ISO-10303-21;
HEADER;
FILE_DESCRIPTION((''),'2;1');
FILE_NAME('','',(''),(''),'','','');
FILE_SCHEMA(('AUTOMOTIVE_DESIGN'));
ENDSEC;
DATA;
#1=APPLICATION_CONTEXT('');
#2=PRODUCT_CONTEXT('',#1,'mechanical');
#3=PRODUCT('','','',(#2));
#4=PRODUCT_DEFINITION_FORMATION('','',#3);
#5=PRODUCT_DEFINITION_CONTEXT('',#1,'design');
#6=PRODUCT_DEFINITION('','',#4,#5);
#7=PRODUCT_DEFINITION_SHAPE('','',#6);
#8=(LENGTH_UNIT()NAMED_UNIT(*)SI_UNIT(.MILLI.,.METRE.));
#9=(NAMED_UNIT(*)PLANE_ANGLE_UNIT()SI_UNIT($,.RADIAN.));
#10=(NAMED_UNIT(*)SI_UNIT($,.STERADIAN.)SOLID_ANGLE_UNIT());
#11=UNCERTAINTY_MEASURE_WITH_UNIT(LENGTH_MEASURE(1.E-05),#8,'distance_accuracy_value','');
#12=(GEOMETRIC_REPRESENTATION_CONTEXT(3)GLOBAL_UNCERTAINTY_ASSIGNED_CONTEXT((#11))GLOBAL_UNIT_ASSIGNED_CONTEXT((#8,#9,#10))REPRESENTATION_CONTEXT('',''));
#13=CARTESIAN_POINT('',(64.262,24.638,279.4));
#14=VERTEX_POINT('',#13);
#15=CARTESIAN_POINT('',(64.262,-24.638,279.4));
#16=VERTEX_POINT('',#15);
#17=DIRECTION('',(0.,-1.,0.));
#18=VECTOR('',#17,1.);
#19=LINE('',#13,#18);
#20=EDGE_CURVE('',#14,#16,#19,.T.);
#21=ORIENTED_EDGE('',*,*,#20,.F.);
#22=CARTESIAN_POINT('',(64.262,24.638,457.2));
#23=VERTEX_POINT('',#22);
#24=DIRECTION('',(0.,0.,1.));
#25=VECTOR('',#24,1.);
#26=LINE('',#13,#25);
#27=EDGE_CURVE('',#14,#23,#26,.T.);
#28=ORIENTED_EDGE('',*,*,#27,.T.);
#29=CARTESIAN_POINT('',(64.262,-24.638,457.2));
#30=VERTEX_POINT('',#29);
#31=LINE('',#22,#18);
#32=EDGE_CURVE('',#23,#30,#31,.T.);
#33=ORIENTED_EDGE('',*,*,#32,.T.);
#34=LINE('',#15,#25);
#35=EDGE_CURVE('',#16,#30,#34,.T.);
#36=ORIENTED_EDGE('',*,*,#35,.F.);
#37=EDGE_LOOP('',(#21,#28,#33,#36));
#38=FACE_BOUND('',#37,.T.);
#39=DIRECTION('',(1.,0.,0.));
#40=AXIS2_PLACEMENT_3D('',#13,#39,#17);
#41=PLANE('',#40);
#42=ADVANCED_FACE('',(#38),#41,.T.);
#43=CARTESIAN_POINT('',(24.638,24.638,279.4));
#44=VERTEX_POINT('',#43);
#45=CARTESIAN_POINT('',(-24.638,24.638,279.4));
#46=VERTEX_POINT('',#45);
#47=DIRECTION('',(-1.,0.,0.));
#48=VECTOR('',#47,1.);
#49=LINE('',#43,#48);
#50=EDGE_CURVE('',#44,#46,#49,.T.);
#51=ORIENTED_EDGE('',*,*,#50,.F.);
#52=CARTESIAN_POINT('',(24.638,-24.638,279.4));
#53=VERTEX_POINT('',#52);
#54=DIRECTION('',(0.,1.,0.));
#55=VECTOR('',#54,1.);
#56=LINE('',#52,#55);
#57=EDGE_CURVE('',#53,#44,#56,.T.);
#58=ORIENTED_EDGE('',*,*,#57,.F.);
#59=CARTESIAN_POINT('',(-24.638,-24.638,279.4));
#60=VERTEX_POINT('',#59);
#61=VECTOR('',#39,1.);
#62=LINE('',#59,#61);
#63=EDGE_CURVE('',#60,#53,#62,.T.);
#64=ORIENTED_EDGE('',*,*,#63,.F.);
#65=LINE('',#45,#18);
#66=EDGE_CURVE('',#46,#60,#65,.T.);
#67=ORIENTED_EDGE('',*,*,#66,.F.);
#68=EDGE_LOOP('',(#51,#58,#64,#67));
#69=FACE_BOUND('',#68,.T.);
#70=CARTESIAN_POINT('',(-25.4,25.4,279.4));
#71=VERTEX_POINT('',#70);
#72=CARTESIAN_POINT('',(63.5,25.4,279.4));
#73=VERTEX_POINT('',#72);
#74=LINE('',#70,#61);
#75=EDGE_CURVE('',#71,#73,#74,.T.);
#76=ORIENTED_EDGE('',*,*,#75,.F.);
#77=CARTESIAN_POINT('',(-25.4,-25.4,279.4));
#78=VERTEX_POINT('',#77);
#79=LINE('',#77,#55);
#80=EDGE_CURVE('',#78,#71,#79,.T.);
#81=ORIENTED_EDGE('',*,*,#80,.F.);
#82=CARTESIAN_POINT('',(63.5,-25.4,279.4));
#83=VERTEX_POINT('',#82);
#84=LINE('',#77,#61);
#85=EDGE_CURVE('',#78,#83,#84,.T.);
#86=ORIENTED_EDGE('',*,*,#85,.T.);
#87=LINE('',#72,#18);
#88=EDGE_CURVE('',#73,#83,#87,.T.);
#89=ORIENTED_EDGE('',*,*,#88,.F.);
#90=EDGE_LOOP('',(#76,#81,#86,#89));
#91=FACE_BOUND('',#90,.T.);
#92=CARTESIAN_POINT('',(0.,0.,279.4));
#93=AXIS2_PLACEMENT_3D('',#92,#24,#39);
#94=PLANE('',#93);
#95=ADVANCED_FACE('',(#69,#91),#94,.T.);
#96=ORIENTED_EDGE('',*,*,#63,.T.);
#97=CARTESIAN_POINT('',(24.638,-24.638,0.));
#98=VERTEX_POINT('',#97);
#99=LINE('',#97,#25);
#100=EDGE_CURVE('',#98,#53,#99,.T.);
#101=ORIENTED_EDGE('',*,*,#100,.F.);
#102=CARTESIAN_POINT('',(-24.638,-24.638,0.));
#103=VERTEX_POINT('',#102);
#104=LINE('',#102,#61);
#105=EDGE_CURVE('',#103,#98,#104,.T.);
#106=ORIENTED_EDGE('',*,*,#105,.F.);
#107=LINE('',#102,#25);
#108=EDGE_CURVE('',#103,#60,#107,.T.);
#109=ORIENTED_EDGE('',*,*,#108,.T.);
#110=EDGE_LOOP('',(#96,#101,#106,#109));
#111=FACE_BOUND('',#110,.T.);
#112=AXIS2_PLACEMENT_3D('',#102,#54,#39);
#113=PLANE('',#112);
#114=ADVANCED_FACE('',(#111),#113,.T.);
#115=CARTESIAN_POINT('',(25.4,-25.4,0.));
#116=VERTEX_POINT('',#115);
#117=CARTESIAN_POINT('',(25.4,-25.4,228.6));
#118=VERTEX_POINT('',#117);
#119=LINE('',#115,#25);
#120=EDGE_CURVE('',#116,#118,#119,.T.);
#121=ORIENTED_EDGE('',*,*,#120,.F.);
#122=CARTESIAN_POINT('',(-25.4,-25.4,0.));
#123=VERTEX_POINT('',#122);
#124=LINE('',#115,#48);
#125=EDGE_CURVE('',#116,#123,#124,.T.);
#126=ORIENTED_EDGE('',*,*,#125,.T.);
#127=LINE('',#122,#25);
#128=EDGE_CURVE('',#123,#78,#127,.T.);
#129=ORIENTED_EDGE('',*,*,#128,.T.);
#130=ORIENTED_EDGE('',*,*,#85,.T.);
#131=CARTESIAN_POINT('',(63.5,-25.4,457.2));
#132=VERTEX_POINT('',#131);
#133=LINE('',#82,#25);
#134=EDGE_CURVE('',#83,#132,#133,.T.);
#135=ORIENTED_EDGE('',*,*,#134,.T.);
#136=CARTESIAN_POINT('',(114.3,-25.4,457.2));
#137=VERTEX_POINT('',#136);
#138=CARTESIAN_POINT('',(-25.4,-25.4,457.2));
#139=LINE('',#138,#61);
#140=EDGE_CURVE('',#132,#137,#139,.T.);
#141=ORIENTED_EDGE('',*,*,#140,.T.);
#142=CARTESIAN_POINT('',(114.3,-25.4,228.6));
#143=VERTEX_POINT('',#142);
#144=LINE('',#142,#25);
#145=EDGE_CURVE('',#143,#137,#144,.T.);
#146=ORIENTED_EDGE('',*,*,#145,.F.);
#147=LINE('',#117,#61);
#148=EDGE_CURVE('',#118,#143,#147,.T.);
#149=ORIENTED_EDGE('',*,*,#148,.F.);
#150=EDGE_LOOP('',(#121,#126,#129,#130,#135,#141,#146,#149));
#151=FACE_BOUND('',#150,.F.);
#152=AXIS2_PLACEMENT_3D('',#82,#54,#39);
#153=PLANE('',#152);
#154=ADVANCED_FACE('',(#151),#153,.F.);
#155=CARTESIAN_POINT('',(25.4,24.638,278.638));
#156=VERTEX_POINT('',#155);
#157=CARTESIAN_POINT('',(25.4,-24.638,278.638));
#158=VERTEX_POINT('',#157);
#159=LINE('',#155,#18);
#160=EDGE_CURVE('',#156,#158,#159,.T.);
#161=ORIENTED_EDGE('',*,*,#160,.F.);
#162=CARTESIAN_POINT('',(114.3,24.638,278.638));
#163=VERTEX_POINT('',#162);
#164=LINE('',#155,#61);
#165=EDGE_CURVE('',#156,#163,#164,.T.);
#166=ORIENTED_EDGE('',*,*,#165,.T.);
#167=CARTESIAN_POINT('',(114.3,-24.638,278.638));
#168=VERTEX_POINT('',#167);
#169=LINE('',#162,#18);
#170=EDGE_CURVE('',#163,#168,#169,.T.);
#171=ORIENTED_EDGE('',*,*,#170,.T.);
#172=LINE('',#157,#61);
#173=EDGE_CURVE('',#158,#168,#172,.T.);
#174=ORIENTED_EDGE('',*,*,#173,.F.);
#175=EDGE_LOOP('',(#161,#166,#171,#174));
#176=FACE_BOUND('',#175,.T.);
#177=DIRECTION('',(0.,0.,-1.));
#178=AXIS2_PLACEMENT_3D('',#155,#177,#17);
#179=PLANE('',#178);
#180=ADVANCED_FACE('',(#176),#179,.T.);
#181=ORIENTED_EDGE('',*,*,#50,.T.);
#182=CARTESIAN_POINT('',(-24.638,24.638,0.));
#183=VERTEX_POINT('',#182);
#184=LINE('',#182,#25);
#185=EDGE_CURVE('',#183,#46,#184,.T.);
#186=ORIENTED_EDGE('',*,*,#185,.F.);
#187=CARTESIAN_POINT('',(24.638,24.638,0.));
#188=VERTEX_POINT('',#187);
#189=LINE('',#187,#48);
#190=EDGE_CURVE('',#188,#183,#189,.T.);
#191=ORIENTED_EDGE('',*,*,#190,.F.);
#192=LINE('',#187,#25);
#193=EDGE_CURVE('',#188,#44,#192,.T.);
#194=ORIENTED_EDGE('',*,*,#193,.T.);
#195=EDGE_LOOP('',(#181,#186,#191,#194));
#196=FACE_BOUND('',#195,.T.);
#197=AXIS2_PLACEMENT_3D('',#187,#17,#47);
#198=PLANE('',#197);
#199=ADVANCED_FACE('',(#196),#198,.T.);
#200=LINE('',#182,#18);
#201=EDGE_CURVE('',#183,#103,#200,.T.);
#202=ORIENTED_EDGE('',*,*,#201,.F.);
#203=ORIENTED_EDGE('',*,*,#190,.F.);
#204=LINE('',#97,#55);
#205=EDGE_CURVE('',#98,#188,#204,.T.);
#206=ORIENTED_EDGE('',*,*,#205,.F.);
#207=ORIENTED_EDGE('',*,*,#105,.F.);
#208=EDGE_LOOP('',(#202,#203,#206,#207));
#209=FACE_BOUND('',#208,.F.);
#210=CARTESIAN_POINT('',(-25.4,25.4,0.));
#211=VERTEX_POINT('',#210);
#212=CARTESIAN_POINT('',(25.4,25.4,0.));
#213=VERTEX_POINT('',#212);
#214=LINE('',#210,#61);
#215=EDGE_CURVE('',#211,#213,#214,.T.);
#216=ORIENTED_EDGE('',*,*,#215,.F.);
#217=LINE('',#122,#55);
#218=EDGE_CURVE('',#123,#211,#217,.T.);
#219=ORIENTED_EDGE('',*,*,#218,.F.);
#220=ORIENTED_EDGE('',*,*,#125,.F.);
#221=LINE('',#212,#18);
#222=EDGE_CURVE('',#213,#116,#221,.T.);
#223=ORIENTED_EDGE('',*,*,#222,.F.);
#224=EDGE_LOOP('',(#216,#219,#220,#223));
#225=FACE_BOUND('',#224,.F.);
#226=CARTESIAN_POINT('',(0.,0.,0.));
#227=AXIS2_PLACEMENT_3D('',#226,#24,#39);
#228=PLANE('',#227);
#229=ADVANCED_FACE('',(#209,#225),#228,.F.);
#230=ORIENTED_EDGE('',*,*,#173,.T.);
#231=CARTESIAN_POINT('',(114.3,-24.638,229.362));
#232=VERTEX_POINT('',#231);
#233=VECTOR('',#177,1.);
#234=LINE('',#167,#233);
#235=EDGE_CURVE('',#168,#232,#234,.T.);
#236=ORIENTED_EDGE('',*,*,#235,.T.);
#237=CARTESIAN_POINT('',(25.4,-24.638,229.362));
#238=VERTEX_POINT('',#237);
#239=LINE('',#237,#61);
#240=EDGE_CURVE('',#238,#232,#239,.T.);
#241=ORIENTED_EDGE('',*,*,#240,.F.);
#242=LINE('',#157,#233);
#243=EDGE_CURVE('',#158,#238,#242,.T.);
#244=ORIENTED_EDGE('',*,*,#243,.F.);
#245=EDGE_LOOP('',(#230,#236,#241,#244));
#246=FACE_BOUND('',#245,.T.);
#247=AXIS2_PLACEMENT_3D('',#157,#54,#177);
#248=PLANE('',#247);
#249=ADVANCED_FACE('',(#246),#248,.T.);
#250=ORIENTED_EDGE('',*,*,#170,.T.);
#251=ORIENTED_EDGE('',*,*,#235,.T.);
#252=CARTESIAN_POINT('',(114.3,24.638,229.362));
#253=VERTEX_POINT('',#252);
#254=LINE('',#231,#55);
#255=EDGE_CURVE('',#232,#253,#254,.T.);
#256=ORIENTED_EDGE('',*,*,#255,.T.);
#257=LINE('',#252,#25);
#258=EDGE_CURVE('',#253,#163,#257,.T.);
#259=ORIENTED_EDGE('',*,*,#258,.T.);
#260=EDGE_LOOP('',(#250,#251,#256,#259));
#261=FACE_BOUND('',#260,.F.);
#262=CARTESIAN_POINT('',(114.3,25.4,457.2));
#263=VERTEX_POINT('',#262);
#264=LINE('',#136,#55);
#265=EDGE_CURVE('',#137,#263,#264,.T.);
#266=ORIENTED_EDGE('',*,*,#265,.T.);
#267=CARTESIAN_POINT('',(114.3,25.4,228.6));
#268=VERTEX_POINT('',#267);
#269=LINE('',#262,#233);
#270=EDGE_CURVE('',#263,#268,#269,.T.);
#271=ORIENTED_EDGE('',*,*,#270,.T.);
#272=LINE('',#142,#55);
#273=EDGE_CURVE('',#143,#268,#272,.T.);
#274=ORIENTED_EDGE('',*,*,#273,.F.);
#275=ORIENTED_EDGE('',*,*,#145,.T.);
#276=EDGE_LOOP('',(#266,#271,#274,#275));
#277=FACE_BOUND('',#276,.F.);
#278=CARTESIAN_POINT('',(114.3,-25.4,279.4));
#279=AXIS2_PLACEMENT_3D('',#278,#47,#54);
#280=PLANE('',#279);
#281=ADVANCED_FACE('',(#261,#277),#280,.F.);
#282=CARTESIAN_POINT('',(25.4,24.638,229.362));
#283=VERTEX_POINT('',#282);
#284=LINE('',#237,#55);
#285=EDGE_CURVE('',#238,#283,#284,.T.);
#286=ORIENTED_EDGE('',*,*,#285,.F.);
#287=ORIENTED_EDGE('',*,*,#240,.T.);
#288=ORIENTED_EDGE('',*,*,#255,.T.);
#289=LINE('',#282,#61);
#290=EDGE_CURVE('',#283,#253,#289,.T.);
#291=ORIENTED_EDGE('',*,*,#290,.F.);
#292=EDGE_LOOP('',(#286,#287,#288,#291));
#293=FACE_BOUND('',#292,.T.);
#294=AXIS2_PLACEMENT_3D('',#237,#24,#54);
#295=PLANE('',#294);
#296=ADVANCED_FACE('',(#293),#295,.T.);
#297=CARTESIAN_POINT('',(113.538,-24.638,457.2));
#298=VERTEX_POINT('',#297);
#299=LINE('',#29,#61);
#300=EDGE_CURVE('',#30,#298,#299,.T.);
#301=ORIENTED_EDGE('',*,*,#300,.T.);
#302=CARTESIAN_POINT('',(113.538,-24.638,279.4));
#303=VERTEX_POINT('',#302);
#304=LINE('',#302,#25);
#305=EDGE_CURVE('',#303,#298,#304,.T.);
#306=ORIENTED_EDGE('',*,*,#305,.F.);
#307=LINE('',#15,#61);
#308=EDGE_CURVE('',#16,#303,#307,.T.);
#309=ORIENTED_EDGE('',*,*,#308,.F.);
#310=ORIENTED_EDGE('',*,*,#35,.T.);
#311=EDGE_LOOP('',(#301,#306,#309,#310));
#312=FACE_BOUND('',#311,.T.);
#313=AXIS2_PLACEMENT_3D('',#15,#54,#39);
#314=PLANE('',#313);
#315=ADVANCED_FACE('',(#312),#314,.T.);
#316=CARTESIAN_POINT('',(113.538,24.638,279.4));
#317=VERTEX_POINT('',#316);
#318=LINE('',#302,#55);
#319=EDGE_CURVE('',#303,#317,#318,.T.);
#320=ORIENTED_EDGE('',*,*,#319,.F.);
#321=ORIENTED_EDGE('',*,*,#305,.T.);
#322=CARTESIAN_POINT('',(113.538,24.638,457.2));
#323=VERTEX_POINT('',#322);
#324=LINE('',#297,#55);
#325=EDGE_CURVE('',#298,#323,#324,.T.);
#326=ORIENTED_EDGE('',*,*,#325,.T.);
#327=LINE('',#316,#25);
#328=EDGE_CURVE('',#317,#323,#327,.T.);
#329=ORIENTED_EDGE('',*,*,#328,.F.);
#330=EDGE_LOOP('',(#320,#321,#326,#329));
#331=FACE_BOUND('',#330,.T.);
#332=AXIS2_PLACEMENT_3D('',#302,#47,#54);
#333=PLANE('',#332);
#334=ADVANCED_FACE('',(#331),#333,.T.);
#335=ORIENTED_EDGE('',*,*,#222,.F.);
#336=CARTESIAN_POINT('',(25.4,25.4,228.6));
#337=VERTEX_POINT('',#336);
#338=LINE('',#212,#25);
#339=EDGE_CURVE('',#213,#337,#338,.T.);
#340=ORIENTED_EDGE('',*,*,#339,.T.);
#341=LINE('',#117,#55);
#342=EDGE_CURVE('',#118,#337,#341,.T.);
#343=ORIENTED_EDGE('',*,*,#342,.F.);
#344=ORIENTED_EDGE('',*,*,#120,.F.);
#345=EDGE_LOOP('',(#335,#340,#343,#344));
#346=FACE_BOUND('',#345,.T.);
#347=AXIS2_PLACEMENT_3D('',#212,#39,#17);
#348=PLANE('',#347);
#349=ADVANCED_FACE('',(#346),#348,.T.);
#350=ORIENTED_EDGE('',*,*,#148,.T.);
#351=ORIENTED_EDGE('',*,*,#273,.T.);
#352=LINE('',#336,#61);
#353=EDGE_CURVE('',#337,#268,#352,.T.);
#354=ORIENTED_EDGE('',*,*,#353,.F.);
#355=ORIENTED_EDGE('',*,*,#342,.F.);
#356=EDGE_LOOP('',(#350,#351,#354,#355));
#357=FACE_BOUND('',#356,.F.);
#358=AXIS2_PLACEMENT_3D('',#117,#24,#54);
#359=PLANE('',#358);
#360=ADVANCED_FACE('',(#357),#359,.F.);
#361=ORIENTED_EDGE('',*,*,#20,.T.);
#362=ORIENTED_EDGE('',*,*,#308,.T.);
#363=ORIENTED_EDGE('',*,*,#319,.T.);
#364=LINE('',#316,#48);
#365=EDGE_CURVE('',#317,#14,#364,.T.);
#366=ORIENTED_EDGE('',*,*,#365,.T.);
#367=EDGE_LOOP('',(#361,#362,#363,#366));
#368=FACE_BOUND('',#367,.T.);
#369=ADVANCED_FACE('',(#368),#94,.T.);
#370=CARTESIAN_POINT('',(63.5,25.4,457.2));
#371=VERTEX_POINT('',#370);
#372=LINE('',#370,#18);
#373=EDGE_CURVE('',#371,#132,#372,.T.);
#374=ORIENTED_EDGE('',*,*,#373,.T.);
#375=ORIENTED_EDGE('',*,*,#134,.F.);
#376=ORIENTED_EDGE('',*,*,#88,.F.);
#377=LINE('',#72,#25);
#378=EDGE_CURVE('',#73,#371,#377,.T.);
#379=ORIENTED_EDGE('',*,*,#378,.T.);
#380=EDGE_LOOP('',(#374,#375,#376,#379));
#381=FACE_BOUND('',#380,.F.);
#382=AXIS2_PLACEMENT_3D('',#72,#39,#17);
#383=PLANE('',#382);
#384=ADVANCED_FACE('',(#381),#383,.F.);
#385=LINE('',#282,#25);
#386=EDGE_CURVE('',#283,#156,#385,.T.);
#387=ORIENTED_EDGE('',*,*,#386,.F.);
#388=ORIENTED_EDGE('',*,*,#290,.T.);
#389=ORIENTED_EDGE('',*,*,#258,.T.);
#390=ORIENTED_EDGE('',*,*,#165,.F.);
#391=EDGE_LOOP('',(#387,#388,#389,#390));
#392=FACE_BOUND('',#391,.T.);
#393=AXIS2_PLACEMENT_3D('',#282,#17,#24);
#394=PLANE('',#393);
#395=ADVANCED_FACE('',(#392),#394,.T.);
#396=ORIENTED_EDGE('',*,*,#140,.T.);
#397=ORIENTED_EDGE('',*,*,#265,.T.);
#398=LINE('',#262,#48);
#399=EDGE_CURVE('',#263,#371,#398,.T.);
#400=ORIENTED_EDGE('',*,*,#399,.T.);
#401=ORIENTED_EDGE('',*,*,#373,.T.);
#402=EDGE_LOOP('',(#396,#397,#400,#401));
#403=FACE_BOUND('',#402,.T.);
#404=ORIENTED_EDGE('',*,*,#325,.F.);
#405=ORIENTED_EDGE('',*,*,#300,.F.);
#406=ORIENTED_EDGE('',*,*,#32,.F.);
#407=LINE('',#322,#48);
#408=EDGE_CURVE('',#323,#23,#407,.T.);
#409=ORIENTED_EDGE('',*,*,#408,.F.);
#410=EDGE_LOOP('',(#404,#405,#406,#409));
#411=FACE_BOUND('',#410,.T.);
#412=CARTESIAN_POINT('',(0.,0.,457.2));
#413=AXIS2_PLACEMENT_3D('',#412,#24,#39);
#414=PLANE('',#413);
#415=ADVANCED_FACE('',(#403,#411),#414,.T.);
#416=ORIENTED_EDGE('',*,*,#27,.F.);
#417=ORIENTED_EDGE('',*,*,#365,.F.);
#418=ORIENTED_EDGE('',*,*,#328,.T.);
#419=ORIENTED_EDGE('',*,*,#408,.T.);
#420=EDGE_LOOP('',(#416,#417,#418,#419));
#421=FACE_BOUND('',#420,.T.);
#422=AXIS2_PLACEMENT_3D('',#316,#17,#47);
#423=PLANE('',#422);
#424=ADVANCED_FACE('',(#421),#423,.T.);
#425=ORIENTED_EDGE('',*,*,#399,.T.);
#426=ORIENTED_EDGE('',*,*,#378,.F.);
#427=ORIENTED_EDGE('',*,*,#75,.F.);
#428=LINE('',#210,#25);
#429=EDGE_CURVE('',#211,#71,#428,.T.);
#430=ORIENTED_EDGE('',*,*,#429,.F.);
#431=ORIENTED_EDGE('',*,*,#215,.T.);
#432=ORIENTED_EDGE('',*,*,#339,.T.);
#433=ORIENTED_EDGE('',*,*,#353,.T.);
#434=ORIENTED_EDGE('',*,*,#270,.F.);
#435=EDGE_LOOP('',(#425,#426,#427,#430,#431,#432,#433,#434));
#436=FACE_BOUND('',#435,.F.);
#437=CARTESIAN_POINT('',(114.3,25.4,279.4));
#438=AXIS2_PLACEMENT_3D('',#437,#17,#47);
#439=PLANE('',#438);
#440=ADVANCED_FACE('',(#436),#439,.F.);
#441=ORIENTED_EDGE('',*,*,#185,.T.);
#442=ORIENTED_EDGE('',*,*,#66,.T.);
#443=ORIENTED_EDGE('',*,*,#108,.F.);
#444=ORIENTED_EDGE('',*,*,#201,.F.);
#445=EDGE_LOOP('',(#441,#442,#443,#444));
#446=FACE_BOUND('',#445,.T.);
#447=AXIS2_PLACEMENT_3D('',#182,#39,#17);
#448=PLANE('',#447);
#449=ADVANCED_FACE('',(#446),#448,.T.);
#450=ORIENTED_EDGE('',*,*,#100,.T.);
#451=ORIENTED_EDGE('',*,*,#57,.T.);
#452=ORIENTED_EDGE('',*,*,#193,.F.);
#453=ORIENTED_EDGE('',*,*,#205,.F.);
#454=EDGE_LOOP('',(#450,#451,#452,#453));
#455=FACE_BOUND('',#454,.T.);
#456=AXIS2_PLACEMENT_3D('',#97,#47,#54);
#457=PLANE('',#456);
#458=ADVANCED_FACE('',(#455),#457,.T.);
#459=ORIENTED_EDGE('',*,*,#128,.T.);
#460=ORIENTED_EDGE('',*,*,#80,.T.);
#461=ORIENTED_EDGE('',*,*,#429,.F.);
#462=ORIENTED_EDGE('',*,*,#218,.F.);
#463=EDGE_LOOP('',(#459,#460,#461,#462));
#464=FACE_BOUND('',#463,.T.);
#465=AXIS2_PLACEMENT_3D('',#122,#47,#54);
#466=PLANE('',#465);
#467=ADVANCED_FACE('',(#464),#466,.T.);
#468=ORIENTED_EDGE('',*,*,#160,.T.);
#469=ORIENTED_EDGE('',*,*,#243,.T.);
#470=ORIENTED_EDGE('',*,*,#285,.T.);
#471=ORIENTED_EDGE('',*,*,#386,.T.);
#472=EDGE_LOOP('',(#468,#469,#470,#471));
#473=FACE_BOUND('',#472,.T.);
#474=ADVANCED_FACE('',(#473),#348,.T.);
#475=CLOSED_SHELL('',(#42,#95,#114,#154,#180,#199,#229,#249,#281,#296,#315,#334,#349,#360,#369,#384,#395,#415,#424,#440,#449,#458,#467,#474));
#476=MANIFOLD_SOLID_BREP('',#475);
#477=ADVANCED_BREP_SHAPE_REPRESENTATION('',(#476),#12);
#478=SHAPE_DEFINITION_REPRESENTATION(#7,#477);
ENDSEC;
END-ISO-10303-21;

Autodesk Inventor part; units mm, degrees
ref_plane "YZ Plane" through (0, 0, 0) normal (1, 0, 0) x (0, 1, 0)
ref_plane "XZ Plane" through (0, 0, 0) normal (0, 1, 0) x (-1, 0, 0)
ref_plane "XY Plane" through (0, 0, 0) normal (0, 0, 1) x (1, 0, 0)
sketch "Sketch1" plane through (0, 0, 0) normal (0, 0, 1) x (1, 0, 0)
  line L0 (-25.4, 25.4) -> (25.4, 25.4)
  line L1 (25.4, 25.4) -> (25.4, -25.4)
  line L2 (25.4, -25.4) -> (-25.4, -25.4)
  line L3 (-25.4, -25.4) -> (-25.4, 25.4)
  line L4 (24.638, 24.638) -> (-24.638, 24.638)
  line L5 (-24.638, 24.638) -> (-24.638, -24.638)
  line L6 (-24.638, -24.638) -> (24.638, -24.638)
  line L7 (24.638, -24.638) -> (24.638, 24.638)
  point P0 (0, 0)
  point P1 (0, 25.4)
  point P2 (25.4, 0)
  dimension "d0" = 50.8
  dimension "d1" = 50.8
  dimension "d2" = 0.762
extrude "Extrusion1" add sketch "Sketch1" along normal blind 279.4
sketch "Sketch2" plane through (25.4, -25.4, 0) normal (1, 0, 0) x (0, 0, -1)
  line L0 (0, 50.8) -> (-279.4, 50.8) projected
  line L1 (-279.4, 0) -> (-228.6, 0)
  line L2 (-228.6, 0) -> (-228.6, 50.8)
  line L3 (-228.6, 50.8) -> (-279.4, 50.8)
  line L4 (-279.4, 50.8) -> (-279.4, 0)
  line L5 (-278.638, 0.762) -> (-229.362, 0.762)
  line L6 (-229.362, 0.762) -> (-229.362, 50.038)
  line L7 (-229.362, 50.038) -> (-278.638, 50.038)
  line L8 (-278.638, 50.038) -> (-278.638, 0.762)
  point P0 (0, 25.4)
  dimension "d5" = 50.8
  dimension "d6" = 0.762
extrude "Extrusion2" add sketch "Sketch2" along normal blind 88.9
sketch "Sketch3" plane through (0, 0, 279.4) normal (0, 0, 1) x (1, 0, 0)
  point P0 (0, 0)
sketch "Sketch4" plane through (0, 0, 279.4) normal (0, 0, 1) x (1, 0, 0)
  line L0 (-25.4, -25.4) -> (114.3, -25.4) projected
  line L1 (114.3, 25.4) -> (63.5, 25.4)
  line L2 (63.5, 25.4) -> (63.5, -25.4)
  line L3 (63.5, -25.4) -> (114.3, -25.4)
  line L4 (114.3, -25.4) -> (114.3, 25.4)
  line L5 (113.538, 24.638) -> (64.262, 24.638)
  line L6 (64.262, 24.638) -> (64.262, -24.638)
  line L7 (64.262, -24.638) -> (113.538, -24.638)
  line L8 (113.538, -24.638) -> (113.538, 24.638)
  point P0 (0, 0)
  dimension "d9" = 50.8
  dimension "d10" = 0.762
extrude "Extrusion3" add sketch "Sketch4" along normal blind 177.8
properties part number "Side Rail"
